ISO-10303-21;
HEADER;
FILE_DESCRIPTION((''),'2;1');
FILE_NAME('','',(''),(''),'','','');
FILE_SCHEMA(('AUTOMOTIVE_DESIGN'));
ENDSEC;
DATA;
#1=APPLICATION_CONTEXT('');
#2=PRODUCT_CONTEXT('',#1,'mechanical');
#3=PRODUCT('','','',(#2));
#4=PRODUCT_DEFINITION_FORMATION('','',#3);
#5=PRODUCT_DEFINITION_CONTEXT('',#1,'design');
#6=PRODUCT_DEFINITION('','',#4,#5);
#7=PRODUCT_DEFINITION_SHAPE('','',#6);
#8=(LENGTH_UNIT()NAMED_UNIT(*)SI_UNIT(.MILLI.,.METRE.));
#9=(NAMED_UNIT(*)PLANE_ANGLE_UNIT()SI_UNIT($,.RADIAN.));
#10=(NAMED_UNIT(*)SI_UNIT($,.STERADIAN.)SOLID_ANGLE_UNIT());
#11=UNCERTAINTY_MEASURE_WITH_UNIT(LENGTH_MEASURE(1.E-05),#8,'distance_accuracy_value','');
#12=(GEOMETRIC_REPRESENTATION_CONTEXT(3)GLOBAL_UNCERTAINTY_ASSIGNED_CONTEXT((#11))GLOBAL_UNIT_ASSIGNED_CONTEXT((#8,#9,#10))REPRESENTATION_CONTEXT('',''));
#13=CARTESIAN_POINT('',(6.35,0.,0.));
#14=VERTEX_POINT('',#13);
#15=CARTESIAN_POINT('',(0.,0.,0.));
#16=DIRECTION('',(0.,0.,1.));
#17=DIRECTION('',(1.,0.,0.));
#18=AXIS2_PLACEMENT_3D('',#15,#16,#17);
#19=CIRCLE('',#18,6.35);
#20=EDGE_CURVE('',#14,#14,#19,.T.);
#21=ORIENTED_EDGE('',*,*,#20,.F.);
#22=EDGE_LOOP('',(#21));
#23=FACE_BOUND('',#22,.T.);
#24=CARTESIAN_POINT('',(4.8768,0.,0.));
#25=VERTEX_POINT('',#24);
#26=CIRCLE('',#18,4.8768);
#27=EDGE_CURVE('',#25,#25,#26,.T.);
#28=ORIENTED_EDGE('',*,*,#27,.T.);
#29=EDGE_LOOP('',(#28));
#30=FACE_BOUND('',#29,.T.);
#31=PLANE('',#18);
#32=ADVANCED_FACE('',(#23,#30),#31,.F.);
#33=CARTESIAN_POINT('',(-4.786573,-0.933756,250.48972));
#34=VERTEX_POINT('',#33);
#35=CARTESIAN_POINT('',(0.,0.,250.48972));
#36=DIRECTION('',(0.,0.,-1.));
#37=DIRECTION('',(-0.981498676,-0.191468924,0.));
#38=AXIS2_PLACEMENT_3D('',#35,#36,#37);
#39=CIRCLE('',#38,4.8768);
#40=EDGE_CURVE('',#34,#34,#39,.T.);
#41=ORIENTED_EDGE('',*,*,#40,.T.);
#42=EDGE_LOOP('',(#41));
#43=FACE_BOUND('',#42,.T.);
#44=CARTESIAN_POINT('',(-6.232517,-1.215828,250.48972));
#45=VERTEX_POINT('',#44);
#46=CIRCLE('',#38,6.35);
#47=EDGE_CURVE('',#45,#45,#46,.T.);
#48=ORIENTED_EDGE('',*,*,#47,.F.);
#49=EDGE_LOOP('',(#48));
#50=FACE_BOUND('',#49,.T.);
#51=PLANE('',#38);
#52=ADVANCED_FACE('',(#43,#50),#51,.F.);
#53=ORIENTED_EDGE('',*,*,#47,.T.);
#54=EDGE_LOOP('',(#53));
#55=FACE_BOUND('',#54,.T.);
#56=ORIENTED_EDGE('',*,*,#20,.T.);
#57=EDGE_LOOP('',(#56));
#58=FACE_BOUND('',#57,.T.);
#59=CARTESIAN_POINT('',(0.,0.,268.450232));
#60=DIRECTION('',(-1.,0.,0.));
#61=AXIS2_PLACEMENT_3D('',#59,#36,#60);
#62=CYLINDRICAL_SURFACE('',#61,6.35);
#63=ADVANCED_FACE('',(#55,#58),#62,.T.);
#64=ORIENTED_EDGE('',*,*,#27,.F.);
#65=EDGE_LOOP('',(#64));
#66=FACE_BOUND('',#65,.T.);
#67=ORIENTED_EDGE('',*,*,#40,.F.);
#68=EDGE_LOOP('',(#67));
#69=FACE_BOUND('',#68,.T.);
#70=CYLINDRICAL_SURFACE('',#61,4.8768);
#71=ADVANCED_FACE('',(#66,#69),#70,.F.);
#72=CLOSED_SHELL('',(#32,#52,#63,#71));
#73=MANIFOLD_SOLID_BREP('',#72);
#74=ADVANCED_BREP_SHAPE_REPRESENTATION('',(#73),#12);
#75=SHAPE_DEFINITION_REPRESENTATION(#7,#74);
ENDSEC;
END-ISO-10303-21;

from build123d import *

# Parameters (mm, degrees)
SKETCH1_R           = 6.35
SKETCH1_R_2         = 4.8768
BOSS_EXTRUDE1_DEPTH = 250.48972


with BuildPart() as part:
    # Sketch1 → Boss-Extrude1 (new body)
    with BuildSketch(Plane.XY):
        with Locations(Location((0, 0, 0), (0, 0, 191.03852135))):
            Circle(SKETCH1_R)
        with Locations(Location((0, 0, 0), (0, 0, 191.03852135))):
            Circle(SKETCH1_R_2, mode=Mode.SUBTRACT)
    extrude(amount=BOSS_EXTRUDE1_DEPTH)


solid = part.part
